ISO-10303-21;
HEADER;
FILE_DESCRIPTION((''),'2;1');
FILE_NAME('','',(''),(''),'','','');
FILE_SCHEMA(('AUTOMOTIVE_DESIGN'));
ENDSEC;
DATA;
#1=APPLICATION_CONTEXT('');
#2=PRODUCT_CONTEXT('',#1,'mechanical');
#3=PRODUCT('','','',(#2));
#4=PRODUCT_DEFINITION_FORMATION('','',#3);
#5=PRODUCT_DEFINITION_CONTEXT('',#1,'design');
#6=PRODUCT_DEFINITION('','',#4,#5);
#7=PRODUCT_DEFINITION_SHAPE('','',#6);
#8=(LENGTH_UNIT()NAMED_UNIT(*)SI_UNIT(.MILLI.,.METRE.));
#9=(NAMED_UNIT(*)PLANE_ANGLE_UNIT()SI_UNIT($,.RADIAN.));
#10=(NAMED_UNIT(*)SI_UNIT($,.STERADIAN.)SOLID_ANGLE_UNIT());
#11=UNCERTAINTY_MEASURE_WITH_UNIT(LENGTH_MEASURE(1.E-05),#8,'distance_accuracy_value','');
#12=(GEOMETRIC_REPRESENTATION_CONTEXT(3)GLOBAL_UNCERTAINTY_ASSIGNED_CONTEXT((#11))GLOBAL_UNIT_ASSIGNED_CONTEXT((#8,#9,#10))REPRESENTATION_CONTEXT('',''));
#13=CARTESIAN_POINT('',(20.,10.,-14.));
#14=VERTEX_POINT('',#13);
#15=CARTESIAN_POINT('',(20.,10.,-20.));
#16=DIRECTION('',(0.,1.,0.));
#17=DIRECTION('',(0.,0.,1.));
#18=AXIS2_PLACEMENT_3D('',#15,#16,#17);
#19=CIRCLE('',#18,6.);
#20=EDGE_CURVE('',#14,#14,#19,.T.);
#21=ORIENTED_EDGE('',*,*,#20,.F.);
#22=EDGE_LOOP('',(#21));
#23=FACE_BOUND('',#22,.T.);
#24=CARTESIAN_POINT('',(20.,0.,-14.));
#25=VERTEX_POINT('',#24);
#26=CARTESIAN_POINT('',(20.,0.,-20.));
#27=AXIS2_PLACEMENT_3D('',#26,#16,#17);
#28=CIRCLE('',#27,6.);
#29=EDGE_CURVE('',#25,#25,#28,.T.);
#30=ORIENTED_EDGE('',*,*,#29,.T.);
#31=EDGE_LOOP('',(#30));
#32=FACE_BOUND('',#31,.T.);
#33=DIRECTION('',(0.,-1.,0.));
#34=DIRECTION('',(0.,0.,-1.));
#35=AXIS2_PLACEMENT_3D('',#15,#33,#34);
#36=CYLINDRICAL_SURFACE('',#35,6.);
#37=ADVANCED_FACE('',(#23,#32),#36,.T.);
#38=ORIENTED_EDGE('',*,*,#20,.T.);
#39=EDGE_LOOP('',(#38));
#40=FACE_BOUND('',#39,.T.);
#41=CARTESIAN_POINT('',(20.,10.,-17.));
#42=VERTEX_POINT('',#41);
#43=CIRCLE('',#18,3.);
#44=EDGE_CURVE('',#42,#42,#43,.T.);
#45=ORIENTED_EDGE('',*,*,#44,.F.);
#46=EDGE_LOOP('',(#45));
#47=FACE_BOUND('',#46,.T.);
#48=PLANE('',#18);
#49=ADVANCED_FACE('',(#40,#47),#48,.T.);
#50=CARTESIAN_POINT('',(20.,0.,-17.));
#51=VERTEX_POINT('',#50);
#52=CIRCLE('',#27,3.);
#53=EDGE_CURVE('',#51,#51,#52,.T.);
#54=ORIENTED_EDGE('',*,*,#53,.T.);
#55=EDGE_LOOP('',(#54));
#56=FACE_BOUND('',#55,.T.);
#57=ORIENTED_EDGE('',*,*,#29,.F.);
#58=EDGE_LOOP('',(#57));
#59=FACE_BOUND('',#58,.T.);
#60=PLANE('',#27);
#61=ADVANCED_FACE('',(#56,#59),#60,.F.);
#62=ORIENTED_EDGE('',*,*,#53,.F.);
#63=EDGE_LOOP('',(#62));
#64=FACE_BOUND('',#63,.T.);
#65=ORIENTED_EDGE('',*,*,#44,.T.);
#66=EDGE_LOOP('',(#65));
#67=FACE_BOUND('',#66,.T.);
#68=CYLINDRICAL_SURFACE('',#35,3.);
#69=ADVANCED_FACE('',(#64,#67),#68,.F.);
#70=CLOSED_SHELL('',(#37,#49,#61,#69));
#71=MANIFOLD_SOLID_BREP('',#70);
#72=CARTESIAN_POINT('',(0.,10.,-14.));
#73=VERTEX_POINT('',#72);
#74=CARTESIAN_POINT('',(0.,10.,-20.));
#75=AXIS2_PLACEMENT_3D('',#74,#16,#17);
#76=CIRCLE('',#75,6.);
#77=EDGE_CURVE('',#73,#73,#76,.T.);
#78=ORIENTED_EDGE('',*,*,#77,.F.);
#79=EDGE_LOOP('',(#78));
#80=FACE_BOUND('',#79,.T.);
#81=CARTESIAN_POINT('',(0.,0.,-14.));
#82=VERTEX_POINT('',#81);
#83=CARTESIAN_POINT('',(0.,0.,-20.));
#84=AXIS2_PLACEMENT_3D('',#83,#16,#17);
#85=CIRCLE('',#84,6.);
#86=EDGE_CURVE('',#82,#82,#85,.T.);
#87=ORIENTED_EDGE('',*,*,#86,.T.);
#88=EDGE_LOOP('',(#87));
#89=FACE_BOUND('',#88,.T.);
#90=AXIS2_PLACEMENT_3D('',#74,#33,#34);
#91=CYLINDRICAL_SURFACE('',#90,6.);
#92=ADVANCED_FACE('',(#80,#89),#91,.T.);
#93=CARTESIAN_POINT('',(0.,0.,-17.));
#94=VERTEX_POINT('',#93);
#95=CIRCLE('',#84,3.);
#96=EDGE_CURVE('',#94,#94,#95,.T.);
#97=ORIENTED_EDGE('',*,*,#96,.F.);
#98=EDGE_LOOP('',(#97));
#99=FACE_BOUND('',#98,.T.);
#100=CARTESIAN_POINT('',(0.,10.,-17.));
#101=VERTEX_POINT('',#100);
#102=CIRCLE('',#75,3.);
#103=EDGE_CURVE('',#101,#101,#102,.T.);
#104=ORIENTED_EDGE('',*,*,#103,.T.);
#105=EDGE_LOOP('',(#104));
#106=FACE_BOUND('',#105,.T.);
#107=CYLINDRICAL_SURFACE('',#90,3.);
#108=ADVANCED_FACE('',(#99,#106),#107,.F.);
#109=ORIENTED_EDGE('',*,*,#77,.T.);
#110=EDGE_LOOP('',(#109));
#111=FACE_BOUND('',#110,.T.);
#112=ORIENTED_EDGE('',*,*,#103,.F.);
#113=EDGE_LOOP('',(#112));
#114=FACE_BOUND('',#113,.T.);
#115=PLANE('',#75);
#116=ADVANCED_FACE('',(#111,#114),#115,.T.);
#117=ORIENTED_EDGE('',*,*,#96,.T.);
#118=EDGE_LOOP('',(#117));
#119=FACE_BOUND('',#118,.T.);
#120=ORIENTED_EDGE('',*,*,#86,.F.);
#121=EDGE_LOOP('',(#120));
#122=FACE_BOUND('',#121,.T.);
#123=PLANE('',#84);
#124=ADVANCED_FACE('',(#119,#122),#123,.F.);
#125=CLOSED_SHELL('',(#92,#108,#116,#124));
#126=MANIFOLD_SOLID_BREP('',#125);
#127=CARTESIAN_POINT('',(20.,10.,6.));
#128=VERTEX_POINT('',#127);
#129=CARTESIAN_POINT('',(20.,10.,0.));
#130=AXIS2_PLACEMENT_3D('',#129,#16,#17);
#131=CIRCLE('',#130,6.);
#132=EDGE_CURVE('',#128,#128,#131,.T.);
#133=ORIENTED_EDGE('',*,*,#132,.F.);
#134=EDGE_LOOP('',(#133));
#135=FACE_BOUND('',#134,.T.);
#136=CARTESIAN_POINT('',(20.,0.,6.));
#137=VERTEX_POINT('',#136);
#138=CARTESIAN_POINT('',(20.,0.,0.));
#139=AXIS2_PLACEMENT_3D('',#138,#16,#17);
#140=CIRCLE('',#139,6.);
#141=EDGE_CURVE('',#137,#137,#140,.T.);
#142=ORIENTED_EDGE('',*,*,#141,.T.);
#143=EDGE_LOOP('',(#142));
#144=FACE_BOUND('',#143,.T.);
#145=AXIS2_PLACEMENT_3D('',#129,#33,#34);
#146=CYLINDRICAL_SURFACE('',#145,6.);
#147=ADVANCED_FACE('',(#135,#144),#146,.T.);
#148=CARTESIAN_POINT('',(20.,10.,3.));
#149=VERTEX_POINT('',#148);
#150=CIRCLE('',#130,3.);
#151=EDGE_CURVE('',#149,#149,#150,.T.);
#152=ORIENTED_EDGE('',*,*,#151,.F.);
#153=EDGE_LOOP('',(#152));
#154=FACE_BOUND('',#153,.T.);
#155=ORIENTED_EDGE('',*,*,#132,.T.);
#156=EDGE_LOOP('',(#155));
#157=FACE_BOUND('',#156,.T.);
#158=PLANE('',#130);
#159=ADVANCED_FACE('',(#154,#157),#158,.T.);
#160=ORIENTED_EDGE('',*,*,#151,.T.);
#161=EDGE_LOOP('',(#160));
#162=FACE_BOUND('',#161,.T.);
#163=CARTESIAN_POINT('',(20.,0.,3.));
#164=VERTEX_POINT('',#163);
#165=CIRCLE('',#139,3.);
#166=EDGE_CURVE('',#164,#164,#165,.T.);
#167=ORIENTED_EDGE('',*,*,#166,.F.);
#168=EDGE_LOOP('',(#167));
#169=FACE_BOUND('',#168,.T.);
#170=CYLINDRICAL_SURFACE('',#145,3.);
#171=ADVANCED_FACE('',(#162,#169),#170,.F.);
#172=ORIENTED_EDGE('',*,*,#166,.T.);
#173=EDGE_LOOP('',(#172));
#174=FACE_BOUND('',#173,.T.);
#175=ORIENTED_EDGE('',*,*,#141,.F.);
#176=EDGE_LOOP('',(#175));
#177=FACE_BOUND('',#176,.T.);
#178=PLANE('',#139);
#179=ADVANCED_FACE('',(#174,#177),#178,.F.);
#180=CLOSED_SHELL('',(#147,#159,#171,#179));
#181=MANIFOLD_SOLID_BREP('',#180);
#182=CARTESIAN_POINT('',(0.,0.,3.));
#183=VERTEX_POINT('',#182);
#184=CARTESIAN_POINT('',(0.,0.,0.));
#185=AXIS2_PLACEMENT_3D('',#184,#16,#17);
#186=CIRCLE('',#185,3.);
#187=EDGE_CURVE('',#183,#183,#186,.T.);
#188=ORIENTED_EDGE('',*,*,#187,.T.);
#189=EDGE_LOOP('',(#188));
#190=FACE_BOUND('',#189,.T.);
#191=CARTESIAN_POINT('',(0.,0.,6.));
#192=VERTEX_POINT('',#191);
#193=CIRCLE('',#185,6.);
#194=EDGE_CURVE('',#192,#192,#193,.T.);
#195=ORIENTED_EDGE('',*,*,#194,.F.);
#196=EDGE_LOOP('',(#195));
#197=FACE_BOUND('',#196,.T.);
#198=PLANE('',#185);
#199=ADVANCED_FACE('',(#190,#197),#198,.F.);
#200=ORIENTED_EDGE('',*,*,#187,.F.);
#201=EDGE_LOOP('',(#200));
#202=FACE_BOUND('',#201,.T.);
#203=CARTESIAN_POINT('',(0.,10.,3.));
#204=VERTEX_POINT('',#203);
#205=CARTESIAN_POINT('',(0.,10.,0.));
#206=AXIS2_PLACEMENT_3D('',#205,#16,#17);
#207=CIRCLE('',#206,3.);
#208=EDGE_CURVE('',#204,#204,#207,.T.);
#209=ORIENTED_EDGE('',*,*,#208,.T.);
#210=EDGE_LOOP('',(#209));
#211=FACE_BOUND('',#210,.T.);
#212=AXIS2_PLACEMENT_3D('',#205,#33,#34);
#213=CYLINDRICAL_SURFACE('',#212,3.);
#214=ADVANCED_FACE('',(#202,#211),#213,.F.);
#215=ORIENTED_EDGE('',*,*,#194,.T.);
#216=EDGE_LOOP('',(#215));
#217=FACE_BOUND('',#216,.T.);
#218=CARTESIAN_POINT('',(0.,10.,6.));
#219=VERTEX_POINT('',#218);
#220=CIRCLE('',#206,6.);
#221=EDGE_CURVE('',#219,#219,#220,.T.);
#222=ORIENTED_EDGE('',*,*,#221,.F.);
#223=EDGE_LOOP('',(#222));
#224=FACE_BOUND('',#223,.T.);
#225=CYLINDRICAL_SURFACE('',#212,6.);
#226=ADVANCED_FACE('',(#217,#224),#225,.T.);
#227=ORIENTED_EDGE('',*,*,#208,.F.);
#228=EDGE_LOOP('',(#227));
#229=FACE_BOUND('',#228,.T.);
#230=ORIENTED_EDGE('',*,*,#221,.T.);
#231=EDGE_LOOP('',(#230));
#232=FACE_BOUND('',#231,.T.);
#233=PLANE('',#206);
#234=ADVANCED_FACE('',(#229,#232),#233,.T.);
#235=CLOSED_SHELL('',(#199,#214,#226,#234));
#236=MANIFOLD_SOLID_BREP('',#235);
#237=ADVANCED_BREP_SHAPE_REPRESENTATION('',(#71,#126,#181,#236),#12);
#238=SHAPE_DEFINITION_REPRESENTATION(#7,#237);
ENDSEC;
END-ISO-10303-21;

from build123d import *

# Parameters (mm, degrees)
SKETCH_1_R        = 6
SKETCH_1_R_2      = 3
EXTRUDE_1_DEPTH   = 10
EXTRUDE_1_2_DEPTH = 10
EXTRUDE_1_3_DEPTH = 10
EXTRUDE_1_4_DEPTH = 10


with BuildPart() as part:
    # Эскиз1 → Бобышка-Вытянуть1 (new body)
    with BuildSketch(Plane(origin=(0, 0, 0), x_dir=(1, 0, 0), z_dir=(0, 1, 0))):
        with Locations(Location((0, 0, 0), (0, 0, 270))):
            Circle(SKETCH_1_R)
        with Locations(Location((0, 0, 0), (0, 0, 270))):
            Circle(SKETCH_1_R_2, mode=Mode.SUBTRACT)
    extrude(amount=EXTRUDE_1_DEPTH)


with BuildPart() as body_2:
    # Эскиз1 → Extrude 1 2 (new body)
    with BuildSketch(Plane(origin=(0, 0, 0), x_dir=(1, 0, 0), z_dir=(0, 1, 0))):
        with Locations(Location((0, 20, 0), (0, 0, 270))):
            Circle(SKETCH_1_R)
        with Locations(Location((0, 20, 0), (0, 0, 270))):
            Circle(SKETCH_1_R_2, mode=Mode.SUBTRACT)
    extrude(amount=EXTRUDE_1_2_DEPTH)


with BuildPart() as body_3:
    # Эскиз1 → Extrude 1 3 (new body)
    with BuildSketch(Plane(origin=(0, 0, 0), x_dir=(1, 0, 0), z_dir=(0, 1, 0))):
        with Locations(Location((20, 20, 0), (0, 0, 270))):
            Circle(SKETCH_1_R)
        with Locations(Location((20, 20, 0), (0, 0, 270))):
            Circle(SKETCH_1_R_2, mode=Mode.SUBTRACT)
    extrude(amount=EXTRUDE_1_3_DEPTH)


with BuildPart() as body_4:
    # Эскиз1 → Extrude 1 4 (new body)
    with BuildSketch(Plane(origin=(0, 0, 0), x_dir=(1, 0, 0), z_dir=(0, 1, 0))):
        with Locations(Location((20, 0, 0), (0, 0, 270))):
            Circle(SKETCH_1_R)
        with Locations(Location((20, 0, 0), (0, 0, 270))):
            Circle(SKETCH_1_R_2, mode=Mode.SUBTRACT)
    extrude(amount=EXTRUDE_1_4_DEPTH)


solid = Compound([part.part, body_2.part, body_3.part, body_4.part])
